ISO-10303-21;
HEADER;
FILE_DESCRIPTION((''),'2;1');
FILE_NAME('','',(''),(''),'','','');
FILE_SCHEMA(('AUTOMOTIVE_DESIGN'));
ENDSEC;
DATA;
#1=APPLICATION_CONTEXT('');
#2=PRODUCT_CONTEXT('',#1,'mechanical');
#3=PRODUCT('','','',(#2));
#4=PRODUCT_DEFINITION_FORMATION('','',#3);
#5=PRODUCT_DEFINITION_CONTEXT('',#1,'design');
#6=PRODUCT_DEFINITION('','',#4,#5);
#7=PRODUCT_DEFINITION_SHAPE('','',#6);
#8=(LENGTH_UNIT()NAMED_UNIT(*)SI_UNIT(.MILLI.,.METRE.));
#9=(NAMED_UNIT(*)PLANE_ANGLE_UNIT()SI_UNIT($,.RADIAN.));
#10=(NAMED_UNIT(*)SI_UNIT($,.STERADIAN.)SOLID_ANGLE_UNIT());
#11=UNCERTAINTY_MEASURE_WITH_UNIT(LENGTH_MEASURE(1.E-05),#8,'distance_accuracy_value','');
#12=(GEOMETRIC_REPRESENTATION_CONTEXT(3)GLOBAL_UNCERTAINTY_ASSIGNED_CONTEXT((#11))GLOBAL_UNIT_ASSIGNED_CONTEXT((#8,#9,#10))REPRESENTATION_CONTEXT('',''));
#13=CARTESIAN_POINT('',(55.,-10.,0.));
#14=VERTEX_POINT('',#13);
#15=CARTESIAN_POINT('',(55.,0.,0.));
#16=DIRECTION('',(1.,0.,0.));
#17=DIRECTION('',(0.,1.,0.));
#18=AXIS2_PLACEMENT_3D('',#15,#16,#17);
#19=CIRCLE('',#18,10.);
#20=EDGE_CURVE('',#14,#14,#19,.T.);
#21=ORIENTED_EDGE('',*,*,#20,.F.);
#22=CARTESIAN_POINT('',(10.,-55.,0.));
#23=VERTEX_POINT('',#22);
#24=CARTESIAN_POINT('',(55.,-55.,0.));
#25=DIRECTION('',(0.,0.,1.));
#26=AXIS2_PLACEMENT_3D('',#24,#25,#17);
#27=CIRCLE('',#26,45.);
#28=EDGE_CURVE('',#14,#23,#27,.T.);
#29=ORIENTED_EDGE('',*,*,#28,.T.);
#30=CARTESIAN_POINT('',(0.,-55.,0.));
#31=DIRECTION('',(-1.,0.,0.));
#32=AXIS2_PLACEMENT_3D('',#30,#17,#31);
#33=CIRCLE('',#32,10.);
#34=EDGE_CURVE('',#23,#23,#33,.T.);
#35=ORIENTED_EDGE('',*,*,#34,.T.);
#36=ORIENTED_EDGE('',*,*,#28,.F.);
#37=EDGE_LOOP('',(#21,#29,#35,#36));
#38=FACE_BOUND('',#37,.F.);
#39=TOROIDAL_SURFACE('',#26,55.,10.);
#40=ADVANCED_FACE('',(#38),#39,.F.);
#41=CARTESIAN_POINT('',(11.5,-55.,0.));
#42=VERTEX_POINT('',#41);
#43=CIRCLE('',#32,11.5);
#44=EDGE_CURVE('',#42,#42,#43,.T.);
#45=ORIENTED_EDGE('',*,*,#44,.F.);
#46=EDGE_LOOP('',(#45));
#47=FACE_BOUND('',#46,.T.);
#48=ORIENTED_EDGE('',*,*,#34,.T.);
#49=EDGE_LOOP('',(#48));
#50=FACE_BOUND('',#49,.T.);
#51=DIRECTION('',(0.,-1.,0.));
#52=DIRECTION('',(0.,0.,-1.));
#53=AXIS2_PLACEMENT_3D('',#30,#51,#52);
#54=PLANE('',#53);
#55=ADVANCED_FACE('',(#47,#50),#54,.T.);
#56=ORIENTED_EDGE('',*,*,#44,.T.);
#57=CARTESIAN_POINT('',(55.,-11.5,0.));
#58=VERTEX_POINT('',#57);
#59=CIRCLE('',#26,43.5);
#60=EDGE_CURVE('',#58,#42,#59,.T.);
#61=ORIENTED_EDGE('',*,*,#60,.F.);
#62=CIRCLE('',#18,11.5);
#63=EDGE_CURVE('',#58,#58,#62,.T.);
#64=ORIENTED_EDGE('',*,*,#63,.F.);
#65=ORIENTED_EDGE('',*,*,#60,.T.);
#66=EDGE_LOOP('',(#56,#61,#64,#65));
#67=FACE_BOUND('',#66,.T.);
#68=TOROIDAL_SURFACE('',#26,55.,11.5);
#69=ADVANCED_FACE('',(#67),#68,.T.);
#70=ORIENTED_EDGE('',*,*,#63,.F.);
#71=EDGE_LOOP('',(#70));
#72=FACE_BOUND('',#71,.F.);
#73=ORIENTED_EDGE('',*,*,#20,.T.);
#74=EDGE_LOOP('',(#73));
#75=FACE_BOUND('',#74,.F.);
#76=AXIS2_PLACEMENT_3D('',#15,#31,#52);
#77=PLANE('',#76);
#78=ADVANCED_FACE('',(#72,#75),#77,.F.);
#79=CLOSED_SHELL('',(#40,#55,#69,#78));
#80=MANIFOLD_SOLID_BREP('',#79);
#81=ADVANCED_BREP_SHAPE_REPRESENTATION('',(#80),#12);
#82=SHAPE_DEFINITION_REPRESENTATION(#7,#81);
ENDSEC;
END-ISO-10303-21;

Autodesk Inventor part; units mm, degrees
ref_plane "YZ Plane" through (0, 0, 0) normal (1, 0, 0) x (0, 1, 0)
ref_plane "XZ Plane" through (0, 0, 0) normal (0, 1, 0) x (-1, 0, 0)
sketch "Szkic6" plane through (0, 0, 0) normal (0, 0, 1) x (1, 0, 0)
  line L0 (-29.6067, 0) -> (35.2678, 0) construction
  line L1 (0, 42.3419) -> (0, -58.3726) construction
  arc A0 (55, 0) -> (0, -55) centre (55, -55) ccw
  line L2 (0, -55) -> (55, -55) construction
  line L3 (55, -55) -> (55, 10.5331) construction
  line L4 (55, 0) -> (55, 0)
  line L5 (0, -55) -> (0, -55)
  point P0 (0, 0)
  dimension "d24" = 55
  dimension "d31" = 90
  dimension "d36" = 0
  dimension "d37" = 0
ref_plane "Płaszczyzna konstrukcyjna2" through (0, -55, 0) normal (0, -1, 0) x (1, 0, 0)
sketch "Szkic8" plane through (0, -55, 0) normal (0, -1, 0) x (1, 0, 0)
  circle A0 centre (0, 0) radius 11.5
  circle A1 centre (0, 0) radius 10
  dimension "d32" = 23
  dimension "d33" = 1.5
sweep "Przeciągnięcie2" add profiles "Szkic8" path "Szkic6"
equation "\"d32\" = OD"
equation "\"d33\" = THK"
equation "\"d24\" = R"
equation "\"d31\" = KAT"
equation "\"SzerokośćGięciaPodcięcia\" = Grubość"
equation "\"RozmiarPodcięciaNarożnika\" = 4 * Grubość"
equation "\"PromieńPrzejścia\" = PromieńGięcia"
equation "\"Rozmiar_promienia_Jacobiego\" = PromieńGięcia"
equation "\"Wielk_odstępu\" = Grubość"
equation "\"d2\" = PromieńGięcia"
equation "\"d23\" = PromieńGięcia"
equation "\"R\" = 55"
equation "\"OD\" = 23"
equation "\"THK\" = 1.5"
equation "\"KAT\" = 90deg"
equation "\"PROSTKA\" = 0"
equation "\"Grubość\" = 1.5"
equation "\"PromieńGięcia\" = 3"
properties part number "Kolano 90° ø23x1,5 R55" material "304L"
